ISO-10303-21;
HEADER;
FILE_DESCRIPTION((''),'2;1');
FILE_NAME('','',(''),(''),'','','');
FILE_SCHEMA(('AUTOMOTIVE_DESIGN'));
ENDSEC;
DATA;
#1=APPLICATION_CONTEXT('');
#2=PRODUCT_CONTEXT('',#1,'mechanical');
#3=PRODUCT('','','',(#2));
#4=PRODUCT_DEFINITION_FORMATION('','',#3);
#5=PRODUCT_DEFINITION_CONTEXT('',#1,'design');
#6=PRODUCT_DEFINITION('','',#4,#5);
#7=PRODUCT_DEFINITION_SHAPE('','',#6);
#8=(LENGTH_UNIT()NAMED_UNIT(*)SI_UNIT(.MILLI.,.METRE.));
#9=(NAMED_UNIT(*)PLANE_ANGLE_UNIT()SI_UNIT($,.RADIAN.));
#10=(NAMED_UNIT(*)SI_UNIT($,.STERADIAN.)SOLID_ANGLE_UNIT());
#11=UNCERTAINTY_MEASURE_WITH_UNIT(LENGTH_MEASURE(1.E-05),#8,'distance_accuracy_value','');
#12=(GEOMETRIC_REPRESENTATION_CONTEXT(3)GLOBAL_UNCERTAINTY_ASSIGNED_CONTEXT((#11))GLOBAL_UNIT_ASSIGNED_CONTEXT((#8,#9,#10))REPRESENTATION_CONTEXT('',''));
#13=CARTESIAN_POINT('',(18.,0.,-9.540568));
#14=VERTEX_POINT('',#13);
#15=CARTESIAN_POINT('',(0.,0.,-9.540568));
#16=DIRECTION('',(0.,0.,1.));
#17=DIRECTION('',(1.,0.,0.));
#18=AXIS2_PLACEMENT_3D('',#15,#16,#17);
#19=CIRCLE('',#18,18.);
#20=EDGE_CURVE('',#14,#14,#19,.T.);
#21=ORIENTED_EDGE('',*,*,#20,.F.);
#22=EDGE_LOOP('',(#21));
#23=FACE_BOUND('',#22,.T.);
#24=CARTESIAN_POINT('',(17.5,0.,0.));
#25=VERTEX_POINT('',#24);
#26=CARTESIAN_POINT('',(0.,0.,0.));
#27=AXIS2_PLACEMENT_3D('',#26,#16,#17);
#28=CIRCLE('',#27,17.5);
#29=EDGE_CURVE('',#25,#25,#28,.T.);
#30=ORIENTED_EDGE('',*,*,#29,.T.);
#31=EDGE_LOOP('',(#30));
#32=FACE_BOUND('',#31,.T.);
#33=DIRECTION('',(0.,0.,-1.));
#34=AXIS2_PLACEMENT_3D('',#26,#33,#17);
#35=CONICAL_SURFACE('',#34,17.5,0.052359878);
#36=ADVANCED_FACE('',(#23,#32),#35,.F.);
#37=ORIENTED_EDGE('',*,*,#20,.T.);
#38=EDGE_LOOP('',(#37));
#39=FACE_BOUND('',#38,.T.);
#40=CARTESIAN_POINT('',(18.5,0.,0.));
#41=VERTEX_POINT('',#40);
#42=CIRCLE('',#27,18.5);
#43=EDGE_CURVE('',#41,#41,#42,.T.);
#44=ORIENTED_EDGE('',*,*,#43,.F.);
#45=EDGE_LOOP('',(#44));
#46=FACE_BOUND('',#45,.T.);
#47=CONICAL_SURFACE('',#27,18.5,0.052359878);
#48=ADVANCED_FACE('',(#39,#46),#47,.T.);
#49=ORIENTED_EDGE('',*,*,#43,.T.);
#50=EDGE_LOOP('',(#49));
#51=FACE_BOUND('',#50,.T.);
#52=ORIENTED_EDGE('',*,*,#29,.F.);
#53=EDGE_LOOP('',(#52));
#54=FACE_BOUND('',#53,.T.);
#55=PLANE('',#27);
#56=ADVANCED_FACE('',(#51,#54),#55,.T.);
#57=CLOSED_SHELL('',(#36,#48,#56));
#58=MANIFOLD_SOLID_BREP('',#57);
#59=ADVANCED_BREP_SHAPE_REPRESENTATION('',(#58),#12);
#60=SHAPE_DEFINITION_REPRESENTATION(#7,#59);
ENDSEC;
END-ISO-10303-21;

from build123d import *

# Parameters (mm, degrees)
SKETCH2_R           = 18.5
SKETCH2_R_2         = 17.5
EXTRUDE_THIN1_DEPTH = 15
EXTRUDE_THIN1_TAPER = 3


with BuildPart() as part:
    # Sketch2 → Extrude-Thin1 (new body)
    with BuildSketch(Plane.XY):
        Circle(SKETCH2_R)
        Circle(SKETCH2_R_2, mode=Mode.SUBTRACT)
    extrude(amount=-EXTRUDE_THIN1_DEPTH, taper=EXTRUDE_THIN1_TAPER)


solid = part.part
